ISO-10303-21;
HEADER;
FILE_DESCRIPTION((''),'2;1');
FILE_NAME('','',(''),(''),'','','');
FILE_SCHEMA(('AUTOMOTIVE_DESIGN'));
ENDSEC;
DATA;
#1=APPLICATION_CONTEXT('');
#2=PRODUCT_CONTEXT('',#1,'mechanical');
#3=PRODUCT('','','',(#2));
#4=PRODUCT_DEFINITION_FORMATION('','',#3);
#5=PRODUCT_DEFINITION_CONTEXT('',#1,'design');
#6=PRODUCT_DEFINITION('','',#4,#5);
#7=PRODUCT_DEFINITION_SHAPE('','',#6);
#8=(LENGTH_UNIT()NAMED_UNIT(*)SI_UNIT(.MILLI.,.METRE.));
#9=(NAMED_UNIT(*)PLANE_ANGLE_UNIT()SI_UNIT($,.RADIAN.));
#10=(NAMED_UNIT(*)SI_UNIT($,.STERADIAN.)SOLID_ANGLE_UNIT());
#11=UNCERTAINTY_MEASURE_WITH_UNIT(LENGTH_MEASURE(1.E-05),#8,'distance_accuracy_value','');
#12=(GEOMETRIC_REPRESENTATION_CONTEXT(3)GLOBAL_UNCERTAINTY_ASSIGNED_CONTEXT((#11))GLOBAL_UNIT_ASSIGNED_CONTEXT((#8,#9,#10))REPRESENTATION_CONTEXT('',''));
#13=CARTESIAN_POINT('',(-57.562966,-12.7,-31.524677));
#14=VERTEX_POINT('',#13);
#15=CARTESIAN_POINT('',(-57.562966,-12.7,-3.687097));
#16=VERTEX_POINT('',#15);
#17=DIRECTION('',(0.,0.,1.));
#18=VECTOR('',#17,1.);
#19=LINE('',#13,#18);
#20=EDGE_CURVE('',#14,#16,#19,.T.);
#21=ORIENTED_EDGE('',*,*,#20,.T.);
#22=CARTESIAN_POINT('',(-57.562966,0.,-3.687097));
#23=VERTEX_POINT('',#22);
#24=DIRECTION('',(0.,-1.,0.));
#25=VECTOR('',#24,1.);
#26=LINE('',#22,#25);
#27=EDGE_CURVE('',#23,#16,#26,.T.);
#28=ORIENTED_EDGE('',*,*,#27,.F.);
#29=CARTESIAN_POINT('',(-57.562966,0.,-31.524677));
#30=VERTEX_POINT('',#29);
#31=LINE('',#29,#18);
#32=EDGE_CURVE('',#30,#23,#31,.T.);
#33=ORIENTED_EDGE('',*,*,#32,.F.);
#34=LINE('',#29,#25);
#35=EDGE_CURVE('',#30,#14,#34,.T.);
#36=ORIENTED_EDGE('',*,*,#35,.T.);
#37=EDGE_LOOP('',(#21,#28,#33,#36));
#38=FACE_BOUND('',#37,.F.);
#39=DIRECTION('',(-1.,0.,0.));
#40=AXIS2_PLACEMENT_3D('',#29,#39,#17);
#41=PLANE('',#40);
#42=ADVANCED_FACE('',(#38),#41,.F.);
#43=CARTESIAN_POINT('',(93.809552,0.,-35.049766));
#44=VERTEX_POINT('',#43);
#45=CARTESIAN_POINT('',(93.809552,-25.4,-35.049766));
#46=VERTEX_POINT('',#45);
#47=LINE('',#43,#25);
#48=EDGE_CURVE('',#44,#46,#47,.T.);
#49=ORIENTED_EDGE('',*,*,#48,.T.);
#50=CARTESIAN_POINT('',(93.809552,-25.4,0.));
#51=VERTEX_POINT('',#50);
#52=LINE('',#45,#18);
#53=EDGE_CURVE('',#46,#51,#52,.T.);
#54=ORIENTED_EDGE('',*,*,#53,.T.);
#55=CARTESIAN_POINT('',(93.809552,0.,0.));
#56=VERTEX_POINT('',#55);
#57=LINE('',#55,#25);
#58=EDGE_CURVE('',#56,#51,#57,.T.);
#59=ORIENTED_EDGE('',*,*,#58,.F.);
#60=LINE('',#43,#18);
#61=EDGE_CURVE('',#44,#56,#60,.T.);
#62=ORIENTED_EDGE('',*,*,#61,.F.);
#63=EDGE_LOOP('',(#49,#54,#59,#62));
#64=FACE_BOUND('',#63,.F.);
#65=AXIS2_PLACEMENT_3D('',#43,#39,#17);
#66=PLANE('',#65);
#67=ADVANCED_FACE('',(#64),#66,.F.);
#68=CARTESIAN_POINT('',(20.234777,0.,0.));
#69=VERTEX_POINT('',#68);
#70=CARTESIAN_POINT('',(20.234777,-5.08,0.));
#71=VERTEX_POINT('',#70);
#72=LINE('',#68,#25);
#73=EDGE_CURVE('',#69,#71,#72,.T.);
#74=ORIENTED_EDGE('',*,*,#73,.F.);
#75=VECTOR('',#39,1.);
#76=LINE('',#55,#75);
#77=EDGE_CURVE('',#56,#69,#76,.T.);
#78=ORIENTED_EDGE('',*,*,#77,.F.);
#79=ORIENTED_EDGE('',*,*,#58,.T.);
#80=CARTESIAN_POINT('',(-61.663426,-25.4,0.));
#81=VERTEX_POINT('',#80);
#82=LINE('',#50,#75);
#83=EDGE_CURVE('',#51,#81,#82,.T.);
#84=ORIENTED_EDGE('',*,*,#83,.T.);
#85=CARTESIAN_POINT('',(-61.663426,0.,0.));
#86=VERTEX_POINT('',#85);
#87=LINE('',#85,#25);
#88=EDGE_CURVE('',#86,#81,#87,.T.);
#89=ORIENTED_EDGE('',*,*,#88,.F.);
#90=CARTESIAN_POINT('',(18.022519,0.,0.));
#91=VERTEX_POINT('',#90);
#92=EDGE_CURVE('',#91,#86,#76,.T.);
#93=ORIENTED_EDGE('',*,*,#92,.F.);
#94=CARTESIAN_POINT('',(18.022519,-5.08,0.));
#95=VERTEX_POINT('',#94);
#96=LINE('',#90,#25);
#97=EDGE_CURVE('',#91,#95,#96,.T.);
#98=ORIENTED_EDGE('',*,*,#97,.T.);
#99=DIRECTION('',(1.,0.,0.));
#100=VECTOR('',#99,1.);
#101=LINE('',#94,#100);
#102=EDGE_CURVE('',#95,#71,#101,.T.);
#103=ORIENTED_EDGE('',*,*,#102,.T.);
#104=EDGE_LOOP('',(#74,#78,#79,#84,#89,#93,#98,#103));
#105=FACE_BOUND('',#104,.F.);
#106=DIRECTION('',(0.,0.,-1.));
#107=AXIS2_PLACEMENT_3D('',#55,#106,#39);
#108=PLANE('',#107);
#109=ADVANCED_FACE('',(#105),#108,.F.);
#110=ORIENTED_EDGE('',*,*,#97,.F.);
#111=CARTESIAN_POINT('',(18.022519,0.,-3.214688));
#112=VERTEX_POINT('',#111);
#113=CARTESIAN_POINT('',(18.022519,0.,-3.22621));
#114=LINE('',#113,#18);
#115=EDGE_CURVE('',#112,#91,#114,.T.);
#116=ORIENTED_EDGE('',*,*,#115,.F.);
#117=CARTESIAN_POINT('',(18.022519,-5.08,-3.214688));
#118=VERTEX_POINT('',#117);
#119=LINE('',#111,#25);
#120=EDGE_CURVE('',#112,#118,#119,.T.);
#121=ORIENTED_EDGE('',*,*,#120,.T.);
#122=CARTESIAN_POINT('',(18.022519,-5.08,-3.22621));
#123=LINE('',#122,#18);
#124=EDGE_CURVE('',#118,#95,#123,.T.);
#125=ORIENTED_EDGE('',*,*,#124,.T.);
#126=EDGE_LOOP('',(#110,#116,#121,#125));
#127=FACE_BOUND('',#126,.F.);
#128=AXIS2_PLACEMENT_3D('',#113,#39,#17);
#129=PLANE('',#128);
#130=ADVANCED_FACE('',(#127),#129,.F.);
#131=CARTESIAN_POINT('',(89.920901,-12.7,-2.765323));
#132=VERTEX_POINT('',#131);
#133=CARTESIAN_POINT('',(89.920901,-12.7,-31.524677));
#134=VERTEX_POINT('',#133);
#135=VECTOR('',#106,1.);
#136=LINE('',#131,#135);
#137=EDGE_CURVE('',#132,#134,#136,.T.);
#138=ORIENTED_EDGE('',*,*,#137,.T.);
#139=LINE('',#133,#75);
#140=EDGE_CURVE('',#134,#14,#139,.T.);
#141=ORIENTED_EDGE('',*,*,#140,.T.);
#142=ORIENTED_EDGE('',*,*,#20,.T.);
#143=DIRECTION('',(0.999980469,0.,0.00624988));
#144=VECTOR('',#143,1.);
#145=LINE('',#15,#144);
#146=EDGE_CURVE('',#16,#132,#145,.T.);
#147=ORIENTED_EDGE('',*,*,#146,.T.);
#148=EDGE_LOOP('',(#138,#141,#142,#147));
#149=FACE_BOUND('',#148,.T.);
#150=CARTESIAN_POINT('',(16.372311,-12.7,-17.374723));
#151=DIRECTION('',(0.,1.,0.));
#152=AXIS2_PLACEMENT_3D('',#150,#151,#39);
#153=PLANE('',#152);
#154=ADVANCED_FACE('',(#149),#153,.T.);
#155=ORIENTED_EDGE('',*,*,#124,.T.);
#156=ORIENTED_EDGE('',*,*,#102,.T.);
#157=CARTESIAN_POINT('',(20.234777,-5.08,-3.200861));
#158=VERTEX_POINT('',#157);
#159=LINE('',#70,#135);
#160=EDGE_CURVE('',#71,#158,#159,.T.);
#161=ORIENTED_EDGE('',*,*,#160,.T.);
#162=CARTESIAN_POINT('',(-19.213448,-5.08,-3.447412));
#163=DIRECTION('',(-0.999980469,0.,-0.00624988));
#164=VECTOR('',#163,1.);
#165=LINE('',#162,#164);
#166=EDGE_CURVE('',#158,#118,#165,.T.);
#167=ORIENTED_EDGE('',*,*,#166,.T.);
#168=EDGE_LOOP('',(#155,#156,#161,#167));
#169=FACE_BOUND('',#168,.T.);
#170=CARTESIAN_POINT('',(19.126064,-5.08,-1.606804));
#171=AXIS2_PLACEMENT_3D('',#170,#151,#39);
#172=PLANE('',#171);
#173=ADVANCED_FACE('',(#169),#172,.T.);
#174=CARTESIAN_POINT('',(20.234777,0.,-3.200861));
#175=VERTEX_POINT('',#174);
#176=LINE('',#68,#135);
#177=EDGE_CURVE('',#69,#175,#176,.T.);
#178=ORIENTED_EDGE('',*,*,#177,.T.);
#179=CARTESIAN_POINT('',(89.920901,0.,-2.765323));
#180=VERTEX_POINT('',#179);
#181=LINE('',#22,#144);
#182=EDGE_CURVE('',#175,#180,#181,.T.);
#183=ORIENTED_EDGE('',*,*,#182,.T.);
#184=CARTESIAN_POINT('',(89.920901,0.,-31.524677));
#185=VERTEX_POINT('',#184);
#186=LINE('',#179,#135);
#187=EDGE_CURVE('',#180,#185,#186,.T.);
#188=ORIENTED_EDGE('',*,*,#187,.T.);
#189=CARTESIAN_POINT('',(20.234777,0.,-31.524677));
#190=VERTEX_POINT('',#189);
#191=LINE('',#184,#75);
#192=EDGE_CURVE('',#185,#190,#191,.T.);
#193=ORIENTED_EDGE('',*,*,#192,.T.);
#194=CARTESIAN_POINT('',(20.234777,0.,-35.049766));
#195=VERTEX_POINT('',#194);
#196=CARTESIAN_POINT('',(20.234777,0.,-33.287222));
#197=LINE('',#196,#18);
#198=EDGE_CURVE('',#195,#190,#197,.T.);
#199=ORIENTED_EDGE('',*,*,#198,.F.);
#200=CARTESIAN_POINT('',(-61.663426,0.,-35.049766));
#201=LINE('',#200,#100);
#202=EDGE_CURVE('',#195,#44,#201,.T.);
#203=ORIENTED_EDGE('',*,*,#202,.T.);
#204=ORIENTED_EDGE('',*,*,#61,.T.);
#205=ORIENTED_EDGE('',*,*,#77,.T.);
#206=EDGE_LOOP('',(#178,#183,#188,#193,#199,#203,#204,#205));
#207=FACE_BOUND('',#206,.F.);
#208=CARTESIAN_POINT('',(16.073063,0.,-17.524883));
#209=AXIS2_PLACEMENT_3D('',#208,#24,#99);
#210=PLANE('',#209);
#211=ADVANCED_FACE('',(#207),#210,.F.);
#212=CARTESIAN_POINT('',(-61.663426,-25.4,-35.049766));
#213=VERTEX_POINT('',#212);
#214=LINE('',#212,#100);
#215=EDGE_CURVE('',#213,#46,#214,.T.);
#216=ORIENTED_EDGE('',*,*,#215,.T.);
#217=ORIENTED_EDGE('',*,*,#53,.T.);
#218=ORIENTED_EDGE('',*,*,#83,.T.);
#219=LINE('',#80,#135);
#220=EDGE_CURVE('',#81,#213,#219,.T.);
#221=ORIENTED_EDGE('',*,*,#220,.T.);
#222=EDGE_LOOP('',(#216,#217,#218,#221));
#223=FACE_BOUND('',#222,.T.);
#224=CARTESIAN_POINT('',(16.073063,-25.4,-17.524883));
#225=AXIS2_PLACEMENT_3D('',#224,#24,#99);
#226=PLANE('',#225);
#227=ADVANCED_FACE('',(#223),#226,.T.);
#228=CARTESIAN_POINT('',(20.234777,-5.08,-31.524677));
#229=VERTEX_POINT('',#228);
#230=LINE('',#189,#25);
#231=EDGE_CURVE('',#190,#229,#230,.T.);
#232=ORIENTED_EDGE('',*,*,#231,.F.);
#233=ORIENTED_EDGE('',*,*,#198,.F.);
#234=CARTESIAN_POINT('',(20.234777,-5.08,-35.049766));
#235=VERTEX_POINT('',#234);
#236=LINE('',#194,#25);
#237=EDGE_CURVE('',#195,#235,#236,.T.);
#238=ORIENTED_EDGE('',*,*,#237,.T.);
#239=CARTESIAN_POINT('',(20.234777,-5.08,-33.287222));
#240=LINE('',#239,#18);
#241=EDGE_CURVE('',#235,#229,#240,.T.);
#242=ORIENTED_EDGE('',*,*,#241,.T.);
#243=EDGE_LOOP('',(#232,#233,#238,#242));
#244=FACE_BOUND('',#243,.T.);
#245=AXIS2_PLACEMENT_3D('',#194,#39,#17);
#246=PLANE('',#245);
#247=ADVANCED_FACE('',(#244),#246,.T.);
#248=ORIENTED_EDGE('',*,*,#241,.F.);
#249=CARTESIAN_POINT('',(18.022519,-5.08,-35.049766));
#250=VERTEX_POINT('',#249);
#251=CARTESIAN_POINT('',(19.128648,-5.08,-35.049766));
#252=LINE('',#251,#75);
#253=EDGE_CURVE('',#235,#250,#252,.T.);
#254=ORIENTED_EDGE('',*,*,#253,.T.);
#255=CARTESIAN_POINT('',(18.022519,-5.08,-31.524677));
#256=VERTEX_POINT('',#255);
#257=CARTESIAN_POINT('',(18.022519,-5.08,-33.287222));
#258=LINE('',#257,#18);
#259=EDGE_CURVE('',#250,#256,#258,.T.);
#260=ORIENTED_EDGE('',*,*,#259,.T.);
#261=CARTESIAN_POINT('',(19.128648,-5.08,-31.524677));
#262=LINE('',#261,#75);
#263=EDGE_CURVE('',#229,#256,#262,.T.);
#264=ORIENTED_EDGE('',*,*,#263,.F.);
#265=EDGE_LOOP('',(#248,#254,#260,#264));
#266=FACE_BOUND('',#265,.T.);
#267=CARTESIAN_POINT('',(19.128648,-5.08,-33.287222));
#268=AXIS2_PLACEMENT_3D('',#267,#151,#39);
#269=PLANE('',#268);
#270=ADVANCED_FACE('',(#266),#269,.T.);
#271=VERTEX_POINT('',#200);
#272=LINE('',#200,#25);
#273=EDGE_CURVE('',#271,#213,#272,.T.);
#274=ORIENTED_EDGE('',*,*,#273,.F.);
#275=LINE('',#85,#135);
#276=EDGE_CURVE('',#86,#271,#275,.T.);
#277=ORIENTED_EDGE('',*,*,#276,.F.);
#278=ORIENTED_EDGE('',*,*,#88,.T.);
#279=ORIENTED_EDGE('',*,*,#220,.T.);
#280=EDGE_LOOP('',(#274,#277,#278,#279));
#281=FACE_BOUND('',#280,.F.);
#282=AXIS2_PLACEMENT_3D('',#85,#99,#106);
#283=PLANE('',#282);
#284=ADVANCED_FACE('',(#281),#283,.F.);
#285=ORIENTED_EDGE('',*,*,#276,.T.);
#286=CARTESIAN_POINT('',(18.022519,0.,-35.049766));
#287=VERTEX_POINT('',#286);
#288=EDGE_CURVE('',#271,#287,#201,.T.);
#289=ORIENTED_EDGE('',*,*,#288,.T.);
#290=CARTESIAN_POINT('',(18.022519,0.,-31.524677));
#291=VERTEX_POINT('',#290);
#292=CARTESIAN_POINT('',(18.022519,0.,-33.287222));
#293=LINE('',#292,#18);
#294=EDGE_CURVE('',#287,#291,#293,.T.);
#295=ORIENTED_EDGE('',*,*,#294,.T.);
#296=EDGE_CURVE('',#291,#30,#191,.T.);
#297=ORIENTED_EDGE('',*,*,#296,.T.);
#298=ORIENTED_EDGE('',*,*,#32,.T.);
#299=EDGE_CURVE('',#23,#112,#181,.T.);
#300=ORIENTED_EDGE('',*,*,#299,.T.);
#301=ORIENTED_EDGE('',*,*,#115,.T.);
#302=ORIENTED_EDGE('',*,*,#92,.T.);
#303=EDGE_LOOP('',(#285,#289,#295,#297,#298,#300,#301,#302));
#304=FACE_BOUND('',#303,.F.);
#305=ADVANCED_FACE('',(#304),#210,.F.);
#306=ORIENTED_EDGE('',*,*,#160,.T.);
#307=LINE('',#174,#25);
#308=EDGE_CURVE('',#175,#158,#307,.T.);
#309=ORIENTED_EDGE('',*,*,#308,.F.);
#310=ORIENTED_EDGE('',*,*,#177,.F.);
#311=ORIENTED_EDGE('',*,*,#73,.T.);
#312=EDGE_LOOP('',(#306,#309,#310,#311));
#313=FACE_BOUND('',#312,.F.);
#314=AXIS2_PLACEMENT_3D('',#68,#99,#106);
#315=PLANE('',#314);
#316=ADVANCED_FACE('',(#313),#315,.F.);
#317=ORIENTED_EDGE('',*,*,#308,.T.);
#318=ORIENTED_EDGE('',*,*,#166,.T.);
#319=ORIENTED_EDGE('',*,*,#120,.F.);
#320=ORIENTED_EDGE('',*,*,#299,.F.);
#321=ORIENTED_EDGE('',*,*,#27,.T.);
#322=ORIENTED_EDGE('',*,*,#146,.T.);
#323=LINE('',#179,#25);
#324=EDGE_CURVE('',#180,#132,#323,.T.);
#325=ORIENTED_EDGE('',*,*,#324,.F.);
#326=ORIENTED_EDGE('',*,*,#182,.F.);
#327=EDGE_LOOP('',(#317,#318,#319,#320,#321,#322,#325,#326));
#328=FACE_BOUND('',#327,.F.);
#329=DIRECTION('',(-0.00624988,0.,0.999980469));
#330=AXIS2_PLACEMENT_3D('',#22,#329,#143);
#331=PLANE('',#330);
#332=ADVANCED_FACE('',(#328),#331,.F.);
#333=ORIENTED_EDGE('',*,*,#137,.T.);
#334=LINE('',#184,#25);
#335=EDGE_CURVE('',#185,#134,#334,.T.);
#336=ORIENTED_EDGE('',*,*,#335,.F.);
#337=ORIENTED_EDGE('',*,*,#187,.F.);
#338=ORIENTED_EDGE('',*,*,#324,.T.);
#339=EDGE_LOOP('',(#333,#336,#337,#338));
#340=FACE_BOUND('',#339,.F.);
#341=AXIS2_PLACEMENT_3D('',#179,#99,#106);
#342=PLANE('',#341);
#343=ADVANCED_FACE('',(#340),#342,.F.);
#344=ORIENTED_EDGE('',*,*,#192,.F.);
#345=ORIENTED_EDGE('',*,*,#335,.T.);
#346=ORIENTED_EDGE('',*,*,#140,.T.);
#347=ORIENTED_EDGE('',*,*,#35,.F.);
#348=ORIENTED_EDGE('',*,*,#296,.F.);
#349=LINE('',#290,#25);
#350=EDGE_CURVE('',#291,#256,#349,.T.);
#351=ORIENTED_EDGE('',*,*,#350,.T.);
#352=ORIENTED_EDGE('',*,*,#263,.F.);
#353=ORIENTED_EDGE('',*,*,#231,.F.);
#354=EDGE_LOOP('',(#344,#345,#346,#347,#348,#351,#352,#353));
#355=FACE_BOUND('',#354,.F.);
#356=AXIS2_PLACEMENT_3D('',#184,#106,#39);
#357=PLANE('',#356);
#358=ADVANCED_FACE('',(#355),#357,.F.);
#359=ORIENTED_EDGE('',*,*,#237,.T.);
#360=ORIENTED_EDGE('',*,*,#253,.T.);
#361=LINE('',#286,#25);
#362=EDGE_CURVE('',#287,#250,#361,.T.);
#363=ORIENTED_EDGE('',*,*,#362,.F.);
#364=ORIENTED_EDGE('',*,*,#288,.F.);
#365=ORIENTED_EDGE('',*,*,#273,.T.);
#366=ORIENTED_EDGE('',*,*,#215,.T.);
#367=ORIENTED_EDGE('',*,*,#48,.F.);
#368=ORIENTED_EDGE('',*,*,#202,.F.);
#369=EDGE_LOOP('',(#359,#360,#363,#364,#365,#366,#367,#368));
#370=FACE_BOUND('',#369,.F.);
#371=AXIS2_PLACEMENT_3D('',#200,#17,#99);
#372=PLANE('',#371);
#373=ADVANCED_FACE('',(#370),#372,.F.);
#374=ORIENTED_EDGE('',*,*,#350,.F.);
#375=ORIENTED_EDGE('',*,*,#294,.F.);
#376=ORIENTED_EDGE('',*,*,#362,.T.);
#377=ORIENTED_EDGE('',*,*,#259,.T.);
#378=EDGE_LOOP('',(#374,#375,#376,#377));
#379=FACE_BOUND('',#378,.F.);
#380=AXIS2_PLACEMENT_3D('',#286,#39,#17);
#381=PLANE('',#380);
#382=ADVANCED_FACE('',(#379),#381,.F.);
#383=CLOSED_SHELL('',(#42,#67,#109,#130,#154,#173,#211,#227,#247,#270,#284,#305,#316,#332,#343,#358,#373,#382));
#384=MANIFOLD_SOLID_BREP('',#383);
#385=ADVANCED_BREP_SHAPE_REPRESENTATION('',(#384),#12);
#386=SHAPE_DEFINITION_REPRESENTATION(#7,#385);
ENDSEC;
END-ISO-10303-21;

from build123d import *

# Parameters (mm, degrees)
F1_DEPTH = 25.4
F3_DEPTH = 12.7
F4_W     = 2.2122580558
F4_H     = 3.5250894725
F5_DEPTH = 5.08


with BuildPart() as f1:
    # F0 (on Front) → F1 (new body)
    with BuildSketch(Plane.XZ):
        Polygon((93.8095524907, 0), (0, 0), (-61.6634264588, 0), (-61.6634264588, -35.0497663021), (93.8095524907, -35.0497663021), align=None)
    extrude(amount=F1_DEPTH)

    # F2 (on face) → F3 (cut)
    with BuildSketch(Plane(origin=(0, 0, 0), x_dir=(-1, 0, 0), z_dir=(0, 1, 0))):
        Polygon((57.5629658997, -3.6870969925), (-89.9209007621, -2.7653225698), (-89.9209007621, -31.5246768296), (57.5629658997, -31.5246768296), align=None)
    extrude(amount=-F3_DEPTH, mode=Mode.SUBTRACT)

    # F4 (on face) → F5 (cut)
    with BuildSketch(Plane(origin=(0, 0, 0), x_dir=(-1, 0, 0), z_dir=(0, 1, 0))):
        with Locations((-19.1286476329, -33.2872215658)):
            Rectangle(F4_W, F4_H)
        Polygon((-18.022518605, 0), (-20.2347766608, 0), (-20.2347766608, -3.2008609664), (-18.022518605, -3.2262097811), align=None)
    extrude(amount=-F5_DEPTH, mode=Mode.SUBTRACT)


solid = f1.part
